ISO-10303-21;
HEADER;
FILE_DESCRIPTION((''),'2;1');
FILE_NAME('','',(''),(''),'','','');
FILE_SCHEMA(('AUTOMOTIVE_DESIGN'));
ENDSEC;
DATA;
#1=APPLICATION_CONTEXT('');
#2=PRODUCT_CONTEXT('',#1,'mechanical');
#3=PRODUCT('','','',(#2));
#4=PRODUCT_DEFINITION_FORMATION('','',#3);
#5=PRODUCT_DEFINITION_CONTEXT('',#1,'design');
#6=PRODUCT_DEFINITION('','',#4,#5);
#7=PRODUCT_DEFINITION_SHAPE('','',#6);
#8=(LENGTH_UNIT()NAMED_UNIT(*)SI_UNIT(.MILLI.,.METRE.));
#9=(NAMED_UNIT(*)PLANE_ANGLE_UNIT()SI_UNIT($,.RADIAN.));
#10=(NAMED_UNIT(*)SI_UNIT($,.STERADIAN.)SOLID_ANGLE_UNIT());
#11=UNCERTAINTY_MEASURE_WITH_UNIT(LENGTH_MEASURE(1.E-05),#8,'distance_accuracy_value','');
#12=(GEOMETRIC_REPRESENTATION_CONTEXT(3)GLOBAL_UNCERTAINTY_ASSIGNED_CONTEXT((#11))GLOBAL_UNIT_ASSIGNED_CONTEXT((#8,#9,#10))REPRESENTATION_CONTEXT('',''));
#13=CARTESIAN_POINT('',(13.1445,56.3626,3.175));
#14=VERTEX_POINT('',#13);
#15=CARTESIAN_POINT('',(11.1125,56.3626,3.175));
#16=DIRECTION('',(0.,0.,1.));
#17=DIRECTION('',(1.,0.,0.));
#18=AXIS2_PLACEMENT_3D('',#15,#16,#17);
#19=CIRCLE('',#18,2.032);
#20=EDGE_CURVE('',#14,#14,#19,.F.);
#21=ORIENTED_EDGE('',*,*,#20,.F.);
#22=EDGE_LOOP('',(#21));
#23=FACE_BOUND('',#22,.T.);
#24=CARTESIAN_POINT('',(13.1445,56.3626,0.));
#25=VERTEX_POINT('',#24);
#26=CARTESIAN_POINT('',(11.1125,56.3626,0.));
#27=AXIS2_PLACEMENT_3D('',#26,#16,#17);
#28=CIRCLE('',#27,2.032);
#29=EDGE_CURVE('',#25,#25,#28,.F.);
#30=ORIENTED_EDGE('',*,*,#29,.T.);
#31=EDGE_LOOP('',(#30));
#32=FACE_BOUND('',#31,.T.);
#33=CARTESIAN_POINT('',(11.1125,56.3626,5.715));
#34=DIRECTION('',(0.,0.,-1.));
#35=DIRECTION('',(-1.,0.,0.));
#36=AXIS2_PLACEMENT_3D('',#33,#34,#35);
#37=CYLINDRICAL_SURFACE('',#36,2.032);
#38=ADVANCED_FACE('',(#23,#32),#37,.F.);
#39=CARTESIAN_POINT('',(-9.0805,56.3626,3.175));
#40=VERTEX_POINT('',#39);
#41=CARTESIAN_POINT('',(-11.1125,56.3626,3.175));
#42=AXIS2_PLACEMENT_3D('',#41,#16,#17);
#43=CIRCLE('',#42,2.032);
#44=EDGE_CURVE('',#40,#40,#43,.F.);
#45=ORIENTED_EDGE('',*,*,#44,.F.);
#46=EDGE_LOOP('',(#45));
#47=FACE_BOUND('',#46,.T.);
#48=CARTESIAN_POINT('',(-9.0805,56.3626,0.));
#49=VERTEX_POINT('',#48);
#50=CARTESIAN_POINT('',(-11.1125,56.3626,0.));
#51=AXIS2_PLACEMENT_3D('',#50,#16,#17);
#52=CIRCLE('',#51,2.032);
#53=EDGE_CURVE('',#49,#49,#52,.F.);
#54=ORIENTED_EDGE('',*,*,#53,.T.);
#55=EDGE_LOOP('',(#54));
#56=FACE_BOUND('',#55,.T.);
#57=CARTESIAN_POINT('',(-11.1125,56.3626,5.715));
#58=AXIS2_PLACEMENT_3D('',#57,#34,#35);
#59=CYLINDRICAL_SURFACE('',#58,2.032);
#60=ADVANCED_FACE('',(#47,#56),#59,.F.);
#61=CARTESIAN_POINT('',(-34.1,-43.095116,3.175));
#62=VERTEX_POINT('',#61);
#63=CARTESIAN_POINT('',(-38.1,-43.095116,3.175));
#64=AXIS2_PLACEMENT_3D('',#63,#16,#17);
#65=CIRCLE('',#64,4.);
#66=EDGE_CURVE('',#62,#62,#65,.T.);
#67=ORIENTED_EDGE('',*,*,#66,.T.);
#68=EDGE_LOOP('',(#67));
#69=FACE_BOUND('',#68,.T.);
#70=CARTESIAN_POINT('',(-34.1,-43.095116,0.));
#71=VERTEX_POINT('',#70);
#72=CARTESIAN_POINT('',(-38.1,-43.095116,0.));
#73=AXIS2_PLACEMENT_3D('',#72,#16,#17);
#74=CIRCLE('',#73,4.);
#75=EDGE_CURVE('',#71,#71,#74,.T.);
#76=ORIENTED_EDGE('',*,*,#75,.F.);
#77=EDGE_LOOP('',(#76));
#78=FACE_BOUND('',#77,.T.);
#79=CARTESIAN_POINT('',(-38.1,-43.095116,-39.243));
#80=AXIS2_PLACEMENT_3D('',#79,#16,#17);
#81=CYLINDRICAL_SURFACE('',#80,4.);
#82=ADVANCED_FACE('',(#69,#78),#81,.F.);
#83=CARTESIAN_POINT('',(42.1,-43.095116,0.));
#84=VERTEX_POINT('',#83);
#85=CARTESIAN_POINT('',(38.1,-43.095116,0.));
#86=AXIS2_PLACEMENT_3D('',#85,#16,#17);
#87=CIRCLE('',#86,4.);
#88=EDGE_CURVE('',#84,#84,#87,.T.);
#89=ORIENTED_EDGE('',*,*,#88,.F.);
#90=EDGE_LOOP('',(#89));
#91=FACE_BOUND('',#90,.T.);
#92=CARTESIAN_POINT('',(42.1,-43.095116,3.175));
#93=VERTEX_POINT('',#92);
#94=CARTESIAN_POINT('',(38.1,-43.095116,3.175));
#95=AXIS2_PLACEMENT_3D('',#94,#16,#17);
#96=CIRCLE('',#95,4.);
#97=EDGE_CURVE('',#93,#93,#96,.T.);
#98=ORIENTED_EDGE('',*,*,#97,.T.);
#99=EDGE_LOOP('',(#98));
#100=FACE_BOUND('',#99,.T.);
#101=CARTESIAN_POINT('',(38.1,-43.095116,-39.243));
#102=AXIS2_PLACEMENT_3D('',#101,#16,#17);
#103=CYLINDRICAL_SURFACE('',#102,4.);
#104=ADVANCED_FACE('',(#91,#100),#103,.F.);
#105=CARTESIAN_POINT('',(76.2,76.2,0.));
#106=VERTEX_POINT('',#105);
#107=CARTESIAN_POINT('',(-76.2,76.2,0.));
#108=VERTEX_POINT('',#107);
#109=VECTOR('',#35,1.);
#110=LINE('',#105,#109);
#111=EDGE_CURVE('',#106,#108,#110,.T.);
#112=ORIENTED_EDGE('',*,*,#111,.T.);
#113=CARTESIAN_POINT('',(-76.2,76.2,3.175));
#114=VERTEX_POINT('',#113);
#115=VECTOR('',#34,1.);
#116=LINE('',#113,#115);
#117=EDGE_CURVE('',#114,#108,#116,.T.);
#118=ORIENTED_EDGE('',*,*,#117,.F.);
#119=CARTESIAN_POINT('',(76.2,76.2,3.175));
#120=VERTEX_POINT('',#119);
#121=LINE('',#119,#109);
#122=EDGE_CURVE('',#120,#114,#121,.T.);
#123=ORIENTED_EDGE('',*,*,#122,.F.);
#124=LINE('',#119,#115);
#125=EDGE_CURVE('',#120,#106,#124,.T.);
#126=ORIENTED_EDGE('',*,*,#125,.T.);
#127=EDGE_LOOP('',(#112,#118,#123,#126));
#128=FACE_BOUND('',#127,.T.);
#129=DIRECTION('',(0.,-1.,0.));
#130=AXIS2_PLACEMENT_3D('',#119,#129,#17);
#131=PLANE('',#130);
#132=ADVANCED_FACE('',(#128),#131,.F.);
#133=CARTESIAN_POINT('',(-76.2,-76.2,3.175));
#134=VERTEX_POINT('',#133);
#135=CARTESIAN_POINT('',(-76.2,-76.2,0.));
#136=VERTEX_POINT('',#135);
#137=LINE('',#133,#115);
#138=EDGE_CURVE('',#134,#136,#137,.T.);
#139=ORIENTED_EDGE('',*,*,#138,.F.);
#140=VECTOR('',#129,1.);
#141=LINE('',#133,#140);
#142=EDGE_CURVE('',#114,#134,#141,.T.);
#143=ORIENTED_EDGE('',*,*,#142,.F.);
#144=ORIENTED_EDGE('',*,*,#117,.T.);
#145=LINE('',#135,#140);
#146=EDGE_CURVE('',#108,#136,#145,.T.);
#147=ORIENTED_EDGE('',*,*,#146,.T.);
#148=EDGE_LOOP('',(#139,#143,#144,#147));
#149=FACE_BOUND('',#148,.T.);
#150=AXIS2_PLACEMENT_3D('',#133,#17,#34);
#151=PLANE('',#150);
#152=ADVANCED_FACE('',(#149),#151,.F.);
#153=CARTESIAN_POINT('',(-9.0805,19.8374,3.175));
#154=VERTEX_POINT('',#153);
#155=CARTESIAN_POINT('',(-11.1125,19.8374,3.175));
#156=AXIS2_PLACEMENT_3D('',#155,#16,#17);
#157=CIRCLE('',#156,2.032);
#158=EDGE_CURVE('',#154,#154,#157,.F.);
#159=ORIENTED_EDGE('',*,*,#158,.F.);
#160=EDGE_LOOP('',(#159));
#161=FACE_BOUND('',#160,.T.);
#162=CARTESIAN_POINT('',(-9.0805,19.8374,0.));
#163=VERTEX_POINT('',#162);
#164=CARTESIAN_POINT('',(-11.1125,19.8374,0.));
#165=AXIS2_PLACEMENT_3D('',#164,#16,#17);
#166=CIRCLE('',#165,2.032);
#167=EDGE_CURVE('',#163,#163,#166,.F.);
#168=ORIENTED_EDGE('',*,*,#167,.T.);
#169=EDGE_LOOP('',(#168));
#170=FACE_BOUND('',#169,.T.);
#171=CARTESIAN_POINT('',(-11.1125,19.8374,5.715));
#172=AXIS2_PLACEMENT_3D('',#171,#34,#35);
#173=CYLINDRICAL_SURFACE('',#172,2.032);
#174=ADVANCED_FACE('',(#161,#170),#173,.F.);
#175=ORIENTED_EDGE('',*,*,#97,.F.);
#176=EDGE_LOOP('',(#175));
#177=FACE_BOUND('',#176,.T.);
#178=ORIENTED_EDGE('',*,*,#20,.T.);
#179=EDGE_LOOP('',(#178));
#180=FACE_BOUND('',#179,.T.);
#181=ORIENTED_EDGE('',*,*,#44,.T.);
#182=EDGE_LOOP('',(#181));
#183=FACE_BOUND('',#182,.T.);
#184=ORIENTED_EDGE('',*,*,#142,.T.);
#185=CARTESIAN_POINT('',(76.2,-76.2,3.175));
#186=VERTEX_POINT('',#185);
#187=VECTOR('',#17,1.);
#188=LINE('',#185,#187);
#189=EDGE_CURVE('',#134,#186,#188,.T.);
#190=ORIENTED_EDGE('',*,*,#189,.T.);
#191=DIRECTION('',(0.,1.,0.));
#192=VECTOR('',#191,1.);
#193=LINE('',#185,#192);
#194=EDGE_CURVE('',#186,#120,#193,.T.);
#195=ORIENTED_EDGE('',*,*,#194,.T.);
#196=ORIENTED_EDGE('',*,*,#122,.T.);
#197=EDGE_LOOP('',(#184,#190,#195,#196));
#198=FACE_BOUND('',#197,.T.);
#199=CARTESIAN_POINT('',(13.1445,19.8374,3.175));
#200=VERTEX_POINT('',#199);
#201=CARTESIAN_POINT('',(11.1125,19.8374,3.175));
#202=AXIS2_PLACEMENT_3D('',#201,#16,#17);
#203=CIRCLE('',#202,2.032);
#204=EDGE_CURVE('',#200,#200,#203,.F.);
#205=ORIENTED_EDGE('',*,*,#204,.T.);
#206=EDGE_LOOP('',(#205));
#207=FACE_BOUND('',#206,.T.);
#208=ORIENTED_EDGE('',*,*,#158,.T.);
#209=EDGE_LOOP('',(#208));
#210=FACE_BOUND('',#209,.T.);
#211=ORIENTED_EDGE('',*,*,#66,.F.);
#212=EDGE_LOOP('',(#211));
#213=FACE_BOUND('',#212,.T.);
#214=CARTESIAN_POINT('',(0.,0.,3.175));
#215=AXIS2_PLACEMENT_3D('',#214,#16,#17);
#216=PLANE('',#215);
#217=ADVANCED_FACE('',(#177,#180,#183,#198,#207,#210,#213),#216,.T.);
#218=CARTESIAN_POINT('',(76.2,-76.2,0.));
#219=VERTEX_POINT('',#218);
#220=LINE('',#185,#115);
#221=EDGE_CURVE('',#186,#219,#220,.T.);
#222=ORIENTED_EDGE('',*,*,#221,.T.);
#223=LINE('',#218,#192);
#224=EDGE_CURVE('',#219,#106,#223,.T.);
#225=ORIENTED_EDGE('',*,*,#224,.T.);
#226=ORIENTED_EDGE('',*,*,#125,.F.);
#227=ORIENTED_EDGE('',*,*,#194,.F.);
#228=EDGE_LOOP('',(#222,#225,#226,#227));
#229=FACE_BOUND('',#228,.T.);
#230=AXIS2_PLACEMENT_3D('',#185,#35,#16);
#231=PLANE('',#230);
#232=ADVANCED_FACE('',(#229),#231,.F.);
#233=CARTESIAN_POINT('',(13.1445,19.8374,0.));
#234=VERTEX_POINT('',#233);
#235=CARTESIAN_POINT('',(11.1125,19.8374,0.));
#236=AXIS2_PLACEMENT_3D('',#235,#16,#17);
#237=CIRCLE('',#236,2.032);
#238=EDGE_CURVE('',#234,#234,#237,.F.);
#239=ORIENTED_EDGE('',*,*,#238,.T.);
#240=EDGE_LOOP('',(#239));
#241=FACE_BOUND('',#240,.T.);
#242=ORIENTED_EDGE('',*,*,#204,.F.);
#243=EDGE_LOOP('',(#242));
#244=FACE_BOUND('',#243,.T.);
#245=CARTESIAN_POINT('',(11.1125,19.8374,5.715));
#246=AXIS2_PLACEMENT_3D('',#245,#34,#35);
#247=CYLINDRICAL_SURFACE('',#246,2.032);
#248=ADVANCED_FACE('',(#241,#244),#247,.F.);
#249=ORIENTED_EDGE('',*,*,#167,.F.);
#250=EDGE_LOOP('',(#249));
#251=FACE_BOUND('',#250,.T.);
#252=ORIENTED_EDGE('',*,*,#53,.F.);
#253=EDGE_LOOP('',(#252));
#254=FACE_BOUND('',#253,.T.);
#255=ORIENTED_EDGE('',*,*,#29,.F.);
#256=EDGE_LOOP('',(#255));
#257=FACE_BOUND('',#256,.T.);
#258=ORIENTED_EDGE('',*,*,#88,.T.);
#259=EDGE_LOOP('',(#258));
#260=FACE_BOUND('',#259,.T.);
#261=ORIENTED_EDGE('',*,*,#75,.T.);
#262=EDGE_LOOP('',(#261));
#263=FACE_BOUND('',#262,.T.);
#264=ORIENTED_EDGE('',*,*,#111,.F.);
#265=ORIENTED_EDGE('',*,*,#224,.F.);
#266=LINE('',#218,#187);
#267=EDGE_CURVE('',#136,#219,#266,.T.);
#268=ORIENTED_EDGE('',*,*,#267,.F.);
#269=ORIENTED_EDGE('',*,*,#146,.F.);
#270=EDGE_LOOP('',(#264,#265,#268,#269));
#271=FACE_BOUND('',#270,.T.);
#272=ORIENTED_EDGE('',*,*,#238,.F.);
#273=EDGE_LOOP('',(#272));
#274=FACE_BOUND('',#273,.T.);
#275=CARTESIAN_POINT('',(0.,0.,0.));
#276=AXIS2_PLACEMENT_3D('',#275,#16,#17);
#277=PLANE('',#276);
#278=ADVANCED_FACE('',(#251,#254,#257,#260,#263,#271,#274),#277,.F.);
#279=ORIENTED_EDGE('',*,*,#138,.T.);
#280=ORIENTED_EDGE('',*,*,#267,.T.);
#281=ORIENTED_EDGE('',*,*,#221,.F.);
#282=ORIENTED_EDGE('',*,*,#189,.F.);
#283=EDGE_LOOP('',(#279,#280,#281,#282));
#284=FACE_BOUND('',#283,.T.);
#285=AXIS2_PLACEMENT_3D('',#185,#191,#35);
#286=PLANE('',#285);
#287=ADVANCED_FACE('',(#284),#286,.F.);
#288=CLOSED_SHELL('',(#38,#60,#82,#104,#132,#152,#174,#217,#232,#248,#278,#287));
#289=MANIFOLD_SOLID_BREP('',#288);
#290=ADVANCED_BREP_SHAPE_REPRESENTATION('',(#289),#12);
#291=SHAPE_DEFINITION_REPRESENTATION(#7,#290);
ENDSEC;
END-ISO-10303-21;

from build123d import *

# Parameters (mm, degrees)
SKETCH1_W               = 152.4
SKETCH1_H               = 152.4
BOSS_EXTRUDE1_DEPTH     = 3.175
CUT_EXTRUDE2_DEPTH      = 2.54
CUT_EXTRUDE2_DEPTH_BACK = 42.418
SKETCH2_R               = 2.032
SKETCH2_5_R             = 4
CUT_EXTRUDE3_DEPTH      = 42.418


with BuildPart() as part:
    # Sketch1 → Boss-Extrude1 (new body)
    with BuildSketch(Plane.XY):
        Rectangle(SKETCH1_W, SKETCH1_H)
    extrude(amount=BOSS_EXTRUDE1_DEPTH)

    # Sketch2 → Cut-Extrude2 (cut, two sides: drawn at the far end of the back side and taken through both)
    with BuildSketch(Plane.XY.offset(3.175).offset(-CUT_EXTRUDE2_DEPTH_BACK)):
        with Locations((-11.1125, 56.3626)):
            Circle(SKETCH2_R)
        with Locations((11.1125, 56.3626)):
            Circle(SKETCH2_R)
        with Locations((11.1125, 19.8374)):
            Circle(SKETCH2_R)
        with Locations((-11.1125, 19.8374)):
            Circle(SKETCH2_R)
    extrude(amount=CUT_EXTRUDE2_DEPTH + CUT_EXTRUDE2_DEPTH_BACK, mode=Mode.SUBTRACT)

    # Sketch2<5> → Cut-Extrude3 (cut)
    with BuildSketch(Plane.XY.offset(3.175)):
        with Locations((-38.1, -43.095115681)):
            Circle(SKETCH2_5_R)
        with Locations((38.1, -43.095115681)):
            Circle(SKETCH2_5_R)
    extrude(amount=-CUT_EXTRUDE3_DEPTH, mode=Mode.SUBTRACT)


solid = part.part
